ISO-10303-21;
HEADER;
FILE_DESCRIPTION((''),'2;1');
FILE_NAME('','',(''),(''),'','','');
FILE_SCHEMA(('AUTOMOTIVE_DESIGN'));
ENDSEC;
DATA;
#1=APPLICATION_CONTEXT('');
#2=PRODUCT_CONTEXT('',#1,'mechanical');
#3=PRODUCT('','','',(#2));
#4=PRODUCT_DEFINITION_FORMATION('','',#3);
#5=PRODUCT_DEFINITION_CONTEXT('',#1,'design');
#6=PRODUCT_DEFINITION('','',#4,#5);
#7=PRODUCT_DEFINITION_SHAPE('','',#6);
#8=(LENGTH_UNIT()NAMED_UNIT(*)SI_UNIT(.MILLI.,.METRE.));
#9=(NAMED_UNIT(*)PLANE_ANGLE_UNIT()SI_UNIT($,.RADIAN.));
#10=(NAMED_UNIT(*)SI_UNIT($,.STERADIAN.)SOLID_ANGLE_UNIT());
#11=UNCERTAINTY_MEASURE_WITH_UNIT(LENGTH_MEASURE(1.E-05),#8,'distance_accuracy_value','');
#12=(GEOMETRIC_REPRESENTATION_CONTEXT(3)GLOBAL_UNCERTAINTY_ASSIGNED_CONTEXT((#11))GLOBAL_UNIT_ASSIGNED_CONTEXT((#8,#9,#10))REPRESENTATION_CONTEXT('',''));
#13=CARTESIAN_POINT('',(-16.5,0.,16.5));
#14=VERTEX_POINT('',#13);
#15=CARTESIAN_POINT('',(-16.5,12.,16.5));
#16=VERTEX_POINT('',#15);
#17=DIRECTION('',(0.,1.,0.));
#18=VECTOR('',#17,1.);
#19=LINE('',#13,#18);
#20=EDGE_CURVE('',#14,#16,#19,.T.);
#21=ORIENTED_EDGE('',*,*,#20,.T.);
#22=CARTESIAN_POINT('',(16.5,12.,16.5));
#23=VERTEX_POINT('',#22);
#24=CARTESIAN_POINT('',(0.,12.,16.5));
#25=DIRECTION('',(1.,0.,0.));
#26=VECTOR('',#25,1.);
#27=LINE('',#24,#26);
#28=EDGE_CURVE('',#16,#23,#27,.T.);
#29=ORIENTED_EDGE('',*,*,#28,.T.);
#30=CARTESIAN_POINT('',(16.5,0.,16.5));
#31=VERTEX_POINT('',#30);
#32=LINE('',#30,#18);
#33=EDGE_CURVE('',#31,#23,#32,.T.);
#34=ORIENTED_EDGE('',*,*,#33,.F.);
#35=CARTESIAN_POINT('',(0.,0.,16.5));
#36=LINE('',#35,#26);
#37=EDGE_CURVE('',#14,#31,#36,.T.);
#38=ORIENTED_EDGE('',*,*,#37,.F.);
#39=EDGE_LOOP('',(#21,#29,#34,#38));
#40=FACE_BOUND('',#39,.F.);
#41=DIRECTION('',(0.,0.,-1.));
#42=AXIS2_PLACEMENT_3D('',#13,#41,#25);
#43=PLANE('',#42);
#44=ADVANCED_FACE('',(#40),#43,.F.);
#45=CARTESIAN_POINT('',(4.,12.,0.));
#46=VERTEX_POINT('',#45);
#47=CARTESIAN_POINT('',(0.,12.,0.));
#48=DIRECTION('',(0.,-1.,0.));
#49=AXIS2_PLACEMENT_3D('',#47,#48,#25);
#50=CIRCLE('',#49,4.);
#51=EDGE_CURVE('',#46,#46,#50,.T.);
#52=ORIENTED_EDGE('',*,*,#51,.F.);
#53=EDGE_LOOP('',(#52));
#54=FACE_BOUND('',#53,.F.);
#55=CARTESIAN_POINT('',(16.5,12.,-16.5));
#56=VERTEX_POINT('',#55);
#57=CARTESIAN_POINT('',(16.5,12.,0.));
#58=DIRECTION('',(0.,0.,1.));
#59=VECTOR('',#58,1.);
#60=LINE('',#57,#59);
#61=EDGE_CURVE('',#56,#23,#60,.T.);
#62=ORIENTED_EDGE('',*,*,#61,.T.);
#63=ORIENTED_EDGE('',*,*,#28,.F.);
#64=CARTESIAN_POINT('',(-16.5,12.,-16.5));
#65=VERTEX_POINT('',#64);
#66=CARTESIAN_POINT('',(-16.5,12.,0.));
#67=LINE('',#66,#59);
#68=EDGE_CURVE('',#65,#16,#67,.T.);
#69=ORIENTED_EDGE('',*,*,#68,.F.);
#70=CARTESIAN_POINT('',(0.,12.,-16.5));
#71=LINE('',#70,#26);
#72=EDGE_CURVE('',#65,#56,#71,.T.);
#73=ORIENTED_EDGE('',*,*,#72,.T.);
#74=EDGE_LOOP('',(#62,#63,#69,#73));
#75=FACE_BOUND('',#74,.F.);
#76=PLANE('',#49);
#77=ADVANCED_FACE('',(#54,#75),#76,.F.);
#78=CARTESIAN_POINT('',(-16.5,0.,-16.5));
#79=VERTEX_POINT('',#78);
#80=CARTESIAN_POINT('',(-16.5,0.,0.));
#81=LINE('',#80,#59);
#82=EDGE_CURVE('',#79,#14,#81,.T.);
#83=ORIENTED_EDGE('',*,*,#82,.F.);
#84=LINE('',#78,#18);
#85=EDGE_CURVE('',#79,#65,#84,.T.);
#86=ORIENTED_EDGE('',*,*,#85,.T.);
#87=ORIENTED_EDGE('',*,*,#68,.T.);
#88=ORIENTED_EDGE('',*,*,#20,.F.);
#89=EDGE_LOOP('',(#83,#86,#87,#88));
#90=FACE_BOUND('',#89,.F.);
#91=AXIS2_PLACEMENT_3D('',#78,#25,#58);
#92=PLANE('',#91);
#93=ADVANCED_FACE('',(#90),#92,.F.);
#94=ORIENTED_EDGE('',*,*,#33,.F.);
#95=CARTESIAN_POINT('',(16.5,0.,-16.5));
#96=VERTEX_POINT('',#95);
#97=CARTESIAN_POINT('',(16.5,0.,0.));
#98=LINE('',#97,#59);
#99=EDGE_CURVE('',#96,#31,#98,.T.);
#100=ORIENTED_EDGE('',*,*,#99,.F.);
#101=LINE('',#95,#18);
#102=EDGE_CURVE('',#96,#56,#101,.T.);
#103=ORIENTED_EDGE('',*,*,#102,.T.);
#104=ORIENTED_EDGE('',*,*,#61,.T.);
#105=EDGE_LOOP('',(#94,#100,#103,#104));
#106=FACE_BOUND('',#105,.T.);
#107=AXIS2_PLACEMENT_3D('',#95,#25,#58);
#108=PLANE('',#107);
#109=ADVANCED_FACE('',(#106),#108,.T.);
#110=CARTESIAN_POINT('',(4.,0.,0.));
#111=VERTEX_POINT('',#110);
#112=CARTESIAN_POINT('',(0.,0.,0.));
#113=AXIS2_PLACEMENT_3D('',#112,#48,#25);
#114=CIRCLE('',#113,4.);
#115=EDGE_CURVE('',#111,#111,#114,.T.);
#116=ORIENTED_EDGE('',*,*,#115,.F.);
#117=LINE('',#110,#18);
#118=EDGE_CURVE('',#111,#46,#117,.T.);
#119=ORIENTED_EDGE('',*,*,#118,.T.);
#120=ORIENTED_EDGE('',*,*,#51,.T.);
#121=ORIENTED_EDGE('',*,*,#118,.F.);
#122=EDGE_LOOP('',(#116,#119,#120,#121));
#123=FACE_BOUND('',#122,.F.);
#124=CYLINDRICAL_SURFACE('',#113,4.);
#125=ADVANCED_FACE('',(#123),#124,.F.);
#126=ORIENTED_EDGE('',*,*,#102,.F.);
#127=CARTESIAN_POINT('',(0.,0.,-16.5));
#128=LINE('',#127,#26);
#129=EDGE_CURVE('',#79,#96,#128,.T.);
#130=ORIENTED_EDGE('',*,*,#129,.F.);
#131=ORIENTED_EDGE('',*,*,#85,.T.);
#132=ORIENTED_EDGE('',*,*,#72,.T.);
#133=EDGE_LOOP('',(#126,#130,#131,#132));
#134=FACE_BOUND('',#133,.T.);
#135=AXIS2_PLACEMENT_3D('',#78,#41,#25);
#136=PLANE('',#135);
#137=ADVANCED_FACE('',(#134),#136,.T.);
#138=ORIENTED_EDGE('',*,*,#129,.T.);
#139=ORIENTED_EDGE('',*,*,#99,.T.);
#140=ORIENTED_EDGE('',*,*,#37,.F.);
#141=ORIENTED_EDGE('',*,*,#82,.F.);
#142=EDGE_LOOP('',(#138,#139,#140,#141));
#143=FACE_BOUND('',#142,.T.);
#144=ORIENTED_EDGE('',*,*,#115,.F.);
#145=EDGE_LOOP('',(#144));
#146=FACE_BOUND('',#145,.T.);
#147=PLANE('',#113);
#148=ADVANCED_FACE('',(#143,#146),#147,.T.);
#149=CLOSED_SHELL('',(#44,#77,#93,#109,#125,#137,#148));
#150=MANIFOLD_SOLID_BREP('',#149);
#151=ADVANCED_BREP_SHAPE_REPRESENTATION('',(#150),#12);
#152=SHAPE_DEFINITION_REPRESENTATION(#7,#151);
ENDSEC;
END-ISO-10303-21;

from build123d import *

# Parameters (mm, degrees)
F0_W     = 33
F0_H     = 33
F1_DEPTH = 12
F2_R     = 4
F3_DEPTH = 12


with BuildPart() as f1:
    # F0 (on Front) → F1 (new body)
    with BuildSketch(Plane.XZ):
        Rectangle(F0_W, F0_H)
    extrude(amount=-F1_DEPTH)

    # F2 (on face) → F3 (cut)
    with BuildSketch(Plane.XZ):
        Circle(F2_R)
    extrude(amount=-F3_DEPTH, mode=Mode.SUBTRACT)


solid = f1.part
